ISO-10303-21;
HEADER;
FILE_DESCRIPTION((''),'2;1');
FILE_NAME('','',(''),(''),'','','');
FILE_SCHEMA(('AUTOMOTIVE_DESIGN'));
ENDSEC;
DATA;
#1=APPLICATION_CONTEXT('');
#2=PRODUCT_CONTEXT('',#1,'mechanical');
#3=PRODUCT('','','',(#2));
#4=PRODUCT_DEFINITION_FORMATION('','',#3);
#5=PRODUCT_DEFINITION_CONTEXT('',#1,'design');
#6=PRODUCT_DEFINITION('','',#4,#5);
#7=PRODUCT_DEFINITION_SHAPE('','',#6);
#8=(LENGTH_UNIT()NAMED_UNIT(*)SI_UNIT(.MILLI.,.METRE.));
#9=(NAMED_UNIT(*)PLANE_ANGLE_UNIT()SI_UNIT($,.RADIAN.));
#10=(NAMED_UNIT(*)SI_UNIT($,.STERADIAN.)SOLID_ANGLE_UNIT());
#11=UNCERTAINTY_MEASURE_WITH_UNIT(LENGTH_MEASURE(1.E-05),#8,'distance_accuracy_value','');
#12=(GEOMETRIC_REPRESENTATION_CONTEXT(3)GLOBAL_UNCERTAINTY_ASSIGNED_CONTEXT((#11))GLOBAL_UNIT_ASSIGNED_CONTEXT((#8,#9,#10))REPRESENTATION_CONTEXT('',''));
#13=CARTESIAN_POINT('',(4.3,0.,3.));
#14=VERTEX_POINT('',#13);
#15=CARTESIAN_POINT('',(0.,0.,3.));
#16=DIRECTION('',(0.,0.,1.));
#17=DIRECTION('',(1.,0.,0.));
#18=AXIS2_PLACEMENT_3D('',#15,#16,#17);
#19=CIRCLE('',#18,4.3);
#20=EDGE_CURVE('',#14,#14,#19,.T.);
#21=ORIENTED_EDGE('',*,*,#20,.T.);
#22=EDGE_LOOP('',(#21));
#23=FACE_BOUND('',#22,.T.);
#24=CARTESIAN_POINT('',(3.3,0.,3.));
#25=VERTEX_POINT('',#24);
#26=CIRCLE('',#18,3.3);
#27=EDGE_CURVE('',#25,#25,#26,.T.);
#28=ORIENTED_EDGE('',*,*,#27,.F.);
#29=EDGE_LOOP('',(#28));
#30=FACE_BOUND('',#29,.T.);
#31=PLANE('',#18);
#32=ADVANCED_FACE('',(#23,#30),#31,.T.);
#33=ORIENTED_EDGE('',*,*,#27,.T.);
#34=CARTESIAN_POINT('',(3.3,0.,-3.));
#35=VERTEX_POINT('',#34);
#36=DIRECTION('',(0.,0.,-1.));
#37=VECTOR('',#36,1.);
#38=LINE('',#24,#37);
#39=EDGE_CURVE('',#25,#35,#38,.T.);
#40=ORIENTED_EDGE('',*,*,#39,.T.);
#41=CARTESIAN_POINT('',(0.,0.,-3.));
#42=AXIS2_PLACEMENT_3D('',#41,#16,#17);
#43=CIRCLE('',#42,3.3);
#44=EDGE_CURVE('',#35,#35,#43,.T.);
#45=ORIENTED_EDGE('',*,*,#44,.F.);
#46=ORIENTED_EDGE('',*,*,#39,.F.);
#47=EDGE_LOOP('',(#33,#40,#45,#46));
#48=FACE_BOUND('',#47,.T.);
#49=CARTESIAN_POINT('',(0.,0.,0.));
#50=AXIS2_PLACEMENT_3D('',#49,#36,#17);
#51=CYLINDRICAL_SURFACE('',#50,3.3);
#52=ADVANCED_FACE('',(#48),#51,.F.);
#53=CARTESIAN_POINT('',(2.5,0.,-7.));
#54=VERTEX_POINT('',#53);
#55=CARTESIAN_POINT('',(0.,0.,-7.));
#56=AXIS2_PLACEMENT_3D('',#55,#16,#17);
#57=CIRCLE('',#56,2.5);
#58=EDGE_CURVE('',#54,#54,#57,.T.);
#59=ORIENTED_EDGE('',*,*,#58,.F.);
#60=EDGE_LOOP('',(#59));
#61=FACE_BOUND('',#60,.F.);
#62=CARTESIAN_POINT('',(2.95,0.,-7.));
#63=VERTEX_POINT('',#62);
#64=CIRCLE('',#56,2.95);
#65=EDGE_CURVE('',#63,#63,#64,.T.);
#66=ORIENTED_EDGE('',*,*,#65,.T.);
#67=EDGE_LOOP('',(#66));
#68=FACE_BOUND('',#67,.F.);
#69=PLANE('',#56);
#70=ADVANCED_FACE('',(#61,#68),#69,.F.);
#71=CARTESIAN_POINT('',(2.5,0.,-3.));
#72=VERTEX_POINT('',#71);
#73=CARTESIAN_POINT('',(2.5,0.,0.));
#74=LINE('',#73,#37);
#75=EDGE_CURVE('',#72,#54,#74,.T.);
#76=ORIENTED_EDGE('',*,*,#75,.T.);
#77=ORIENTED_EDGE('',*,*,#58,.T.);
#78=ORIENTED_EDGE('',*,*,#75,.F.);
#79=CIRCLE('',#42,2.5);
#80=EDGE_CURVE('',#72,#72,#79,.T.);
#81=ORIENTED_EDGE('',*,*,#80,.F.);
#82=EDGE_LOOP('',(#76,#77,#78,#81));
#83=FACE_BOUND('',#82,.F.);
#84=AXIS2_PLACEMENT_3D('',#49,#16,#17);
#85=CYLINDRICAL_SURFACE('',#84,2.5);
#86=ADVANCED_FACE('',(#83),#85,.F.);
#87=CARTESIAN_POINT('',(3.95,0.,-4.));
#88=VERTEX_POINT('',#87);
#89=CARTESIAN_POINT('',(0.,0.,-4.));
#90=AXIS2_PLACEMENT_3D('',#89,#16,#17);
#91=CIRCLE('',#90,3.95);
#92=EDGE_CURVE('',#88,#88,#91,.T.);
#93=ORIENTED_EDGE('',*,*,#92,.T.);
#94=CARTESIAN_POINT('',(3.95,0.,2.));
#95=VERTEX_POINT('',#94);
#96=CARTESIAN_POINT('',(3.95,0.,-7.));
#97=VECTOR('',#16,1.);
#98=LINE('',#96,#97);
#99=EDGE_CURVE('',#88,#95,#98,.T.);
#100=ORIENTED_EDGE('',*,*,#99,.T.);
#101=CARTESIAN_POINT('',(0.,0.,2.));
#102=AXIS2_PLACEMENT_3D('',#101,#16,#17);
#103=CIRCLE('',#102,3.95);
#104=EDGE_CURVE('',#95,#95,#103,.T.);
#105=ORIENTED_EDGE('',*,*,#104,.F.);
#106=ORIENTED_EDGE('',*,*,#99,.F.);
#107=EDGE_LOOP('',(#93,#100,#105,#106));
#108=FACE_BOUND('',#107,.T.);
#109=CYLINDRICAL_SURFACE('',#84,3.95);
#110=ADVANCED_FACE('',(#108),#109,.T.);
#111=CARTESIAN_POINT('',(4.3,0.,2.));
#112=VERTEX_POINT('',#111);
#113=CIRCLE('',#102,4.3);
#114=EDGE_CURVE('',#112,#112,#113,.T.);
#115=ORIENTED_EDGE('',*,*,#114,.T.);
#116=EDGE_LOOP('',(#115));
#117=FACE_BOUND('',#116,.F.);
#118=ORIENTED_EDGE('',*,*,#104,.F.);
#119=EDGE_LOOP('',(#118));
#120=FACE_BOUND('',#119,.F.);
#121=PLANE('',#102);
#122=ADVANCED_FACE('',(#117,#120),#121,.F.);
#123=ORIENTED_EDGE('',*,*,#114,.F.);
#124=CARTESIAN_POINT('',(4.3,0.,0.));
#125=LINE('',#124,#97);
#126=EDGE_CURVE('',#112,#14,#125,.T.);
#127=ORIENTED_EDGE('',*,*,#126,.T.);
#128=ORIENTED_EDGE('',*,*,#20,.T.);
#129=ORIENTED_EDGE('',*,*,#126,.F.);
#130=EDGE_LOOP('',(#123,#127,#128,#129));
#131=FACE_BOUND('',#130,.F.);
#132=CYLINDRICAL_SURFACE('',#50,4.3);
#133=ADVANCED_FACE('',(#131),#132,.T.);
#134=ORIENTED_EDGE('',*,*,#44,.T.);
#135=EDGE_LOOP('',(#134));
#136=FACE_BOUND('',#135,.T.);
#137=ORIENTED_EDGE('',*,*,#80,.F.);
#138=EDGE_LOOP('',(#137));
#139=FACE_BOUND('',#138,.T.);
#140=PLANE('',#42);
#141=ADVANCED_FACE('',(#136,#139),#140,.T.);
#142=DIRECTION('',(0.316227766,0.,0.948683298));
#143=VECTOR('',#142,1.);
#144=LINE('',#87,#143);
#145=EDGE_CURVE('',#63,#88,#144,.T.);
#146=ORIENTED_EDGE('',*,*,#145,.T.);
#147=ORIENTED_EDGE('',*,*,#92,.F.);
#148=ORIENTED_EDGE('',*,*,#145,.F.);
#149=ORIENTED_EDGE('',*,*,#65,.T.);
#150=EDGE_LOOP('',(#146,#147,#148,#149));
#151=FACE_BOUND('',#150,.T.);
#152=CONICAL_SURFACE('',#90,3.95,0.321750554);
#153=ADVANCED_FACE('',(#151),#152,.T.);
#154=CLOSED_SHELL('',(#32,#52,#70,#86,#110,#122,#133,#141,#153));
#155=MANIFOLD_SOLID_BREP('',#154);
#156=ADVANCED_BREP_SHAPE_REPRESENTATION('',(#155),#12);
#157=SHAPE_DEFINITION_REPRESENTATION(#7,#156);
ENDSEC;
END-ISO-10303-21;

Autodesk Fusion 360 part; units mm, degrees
sketch "Sketch1" plane through (0, 0, 0) normal (0, 0, 1) x (1, 0, 0)
  circle A0 centre (0, 0) radius 4.3
  circle A1 centre (0, 0) radius 3.95
  circle A2 centre (0, 0) radius 2.5
  circle A3 centre (0, 0) radius 3.3
  circle A4 centre (0, 0) radius 2.843
  circle A5 centre (0, 0) radius 2.75
  dimension "d1" = 8.6
  dimension "d2" = 7.9
  dimension "d3" = 5
  dimension "d4" = 6.6
  dimension "d14" = 5.5
extrude "Extrude3" add sketch "Sketch1" against normal blind 7 contours A1 | A3 | A4 | A5
extrude "Extrude4" add sketch "Sketch1" along normal blind 3 contours A0 | A1
extrude "Extrude5" add sketch "Sketch1" against normal blind 0.5 contours A3 | A4
extrude "Extrude7" cut 1 faces at (3.0117, -0.2881, 0) along direction (0, 0, -1) blind 3
extrude "Extrude8" cut 1 faces at (4.1673, -0.2136, 0) along direction (0, 0, 1) blind 2
chamfer "Chamfer1" distance 1 distance2 3 1 edges at (-3.6827, 1.4284, -7) measured on face at (3.4427, -0.3204, -7)
